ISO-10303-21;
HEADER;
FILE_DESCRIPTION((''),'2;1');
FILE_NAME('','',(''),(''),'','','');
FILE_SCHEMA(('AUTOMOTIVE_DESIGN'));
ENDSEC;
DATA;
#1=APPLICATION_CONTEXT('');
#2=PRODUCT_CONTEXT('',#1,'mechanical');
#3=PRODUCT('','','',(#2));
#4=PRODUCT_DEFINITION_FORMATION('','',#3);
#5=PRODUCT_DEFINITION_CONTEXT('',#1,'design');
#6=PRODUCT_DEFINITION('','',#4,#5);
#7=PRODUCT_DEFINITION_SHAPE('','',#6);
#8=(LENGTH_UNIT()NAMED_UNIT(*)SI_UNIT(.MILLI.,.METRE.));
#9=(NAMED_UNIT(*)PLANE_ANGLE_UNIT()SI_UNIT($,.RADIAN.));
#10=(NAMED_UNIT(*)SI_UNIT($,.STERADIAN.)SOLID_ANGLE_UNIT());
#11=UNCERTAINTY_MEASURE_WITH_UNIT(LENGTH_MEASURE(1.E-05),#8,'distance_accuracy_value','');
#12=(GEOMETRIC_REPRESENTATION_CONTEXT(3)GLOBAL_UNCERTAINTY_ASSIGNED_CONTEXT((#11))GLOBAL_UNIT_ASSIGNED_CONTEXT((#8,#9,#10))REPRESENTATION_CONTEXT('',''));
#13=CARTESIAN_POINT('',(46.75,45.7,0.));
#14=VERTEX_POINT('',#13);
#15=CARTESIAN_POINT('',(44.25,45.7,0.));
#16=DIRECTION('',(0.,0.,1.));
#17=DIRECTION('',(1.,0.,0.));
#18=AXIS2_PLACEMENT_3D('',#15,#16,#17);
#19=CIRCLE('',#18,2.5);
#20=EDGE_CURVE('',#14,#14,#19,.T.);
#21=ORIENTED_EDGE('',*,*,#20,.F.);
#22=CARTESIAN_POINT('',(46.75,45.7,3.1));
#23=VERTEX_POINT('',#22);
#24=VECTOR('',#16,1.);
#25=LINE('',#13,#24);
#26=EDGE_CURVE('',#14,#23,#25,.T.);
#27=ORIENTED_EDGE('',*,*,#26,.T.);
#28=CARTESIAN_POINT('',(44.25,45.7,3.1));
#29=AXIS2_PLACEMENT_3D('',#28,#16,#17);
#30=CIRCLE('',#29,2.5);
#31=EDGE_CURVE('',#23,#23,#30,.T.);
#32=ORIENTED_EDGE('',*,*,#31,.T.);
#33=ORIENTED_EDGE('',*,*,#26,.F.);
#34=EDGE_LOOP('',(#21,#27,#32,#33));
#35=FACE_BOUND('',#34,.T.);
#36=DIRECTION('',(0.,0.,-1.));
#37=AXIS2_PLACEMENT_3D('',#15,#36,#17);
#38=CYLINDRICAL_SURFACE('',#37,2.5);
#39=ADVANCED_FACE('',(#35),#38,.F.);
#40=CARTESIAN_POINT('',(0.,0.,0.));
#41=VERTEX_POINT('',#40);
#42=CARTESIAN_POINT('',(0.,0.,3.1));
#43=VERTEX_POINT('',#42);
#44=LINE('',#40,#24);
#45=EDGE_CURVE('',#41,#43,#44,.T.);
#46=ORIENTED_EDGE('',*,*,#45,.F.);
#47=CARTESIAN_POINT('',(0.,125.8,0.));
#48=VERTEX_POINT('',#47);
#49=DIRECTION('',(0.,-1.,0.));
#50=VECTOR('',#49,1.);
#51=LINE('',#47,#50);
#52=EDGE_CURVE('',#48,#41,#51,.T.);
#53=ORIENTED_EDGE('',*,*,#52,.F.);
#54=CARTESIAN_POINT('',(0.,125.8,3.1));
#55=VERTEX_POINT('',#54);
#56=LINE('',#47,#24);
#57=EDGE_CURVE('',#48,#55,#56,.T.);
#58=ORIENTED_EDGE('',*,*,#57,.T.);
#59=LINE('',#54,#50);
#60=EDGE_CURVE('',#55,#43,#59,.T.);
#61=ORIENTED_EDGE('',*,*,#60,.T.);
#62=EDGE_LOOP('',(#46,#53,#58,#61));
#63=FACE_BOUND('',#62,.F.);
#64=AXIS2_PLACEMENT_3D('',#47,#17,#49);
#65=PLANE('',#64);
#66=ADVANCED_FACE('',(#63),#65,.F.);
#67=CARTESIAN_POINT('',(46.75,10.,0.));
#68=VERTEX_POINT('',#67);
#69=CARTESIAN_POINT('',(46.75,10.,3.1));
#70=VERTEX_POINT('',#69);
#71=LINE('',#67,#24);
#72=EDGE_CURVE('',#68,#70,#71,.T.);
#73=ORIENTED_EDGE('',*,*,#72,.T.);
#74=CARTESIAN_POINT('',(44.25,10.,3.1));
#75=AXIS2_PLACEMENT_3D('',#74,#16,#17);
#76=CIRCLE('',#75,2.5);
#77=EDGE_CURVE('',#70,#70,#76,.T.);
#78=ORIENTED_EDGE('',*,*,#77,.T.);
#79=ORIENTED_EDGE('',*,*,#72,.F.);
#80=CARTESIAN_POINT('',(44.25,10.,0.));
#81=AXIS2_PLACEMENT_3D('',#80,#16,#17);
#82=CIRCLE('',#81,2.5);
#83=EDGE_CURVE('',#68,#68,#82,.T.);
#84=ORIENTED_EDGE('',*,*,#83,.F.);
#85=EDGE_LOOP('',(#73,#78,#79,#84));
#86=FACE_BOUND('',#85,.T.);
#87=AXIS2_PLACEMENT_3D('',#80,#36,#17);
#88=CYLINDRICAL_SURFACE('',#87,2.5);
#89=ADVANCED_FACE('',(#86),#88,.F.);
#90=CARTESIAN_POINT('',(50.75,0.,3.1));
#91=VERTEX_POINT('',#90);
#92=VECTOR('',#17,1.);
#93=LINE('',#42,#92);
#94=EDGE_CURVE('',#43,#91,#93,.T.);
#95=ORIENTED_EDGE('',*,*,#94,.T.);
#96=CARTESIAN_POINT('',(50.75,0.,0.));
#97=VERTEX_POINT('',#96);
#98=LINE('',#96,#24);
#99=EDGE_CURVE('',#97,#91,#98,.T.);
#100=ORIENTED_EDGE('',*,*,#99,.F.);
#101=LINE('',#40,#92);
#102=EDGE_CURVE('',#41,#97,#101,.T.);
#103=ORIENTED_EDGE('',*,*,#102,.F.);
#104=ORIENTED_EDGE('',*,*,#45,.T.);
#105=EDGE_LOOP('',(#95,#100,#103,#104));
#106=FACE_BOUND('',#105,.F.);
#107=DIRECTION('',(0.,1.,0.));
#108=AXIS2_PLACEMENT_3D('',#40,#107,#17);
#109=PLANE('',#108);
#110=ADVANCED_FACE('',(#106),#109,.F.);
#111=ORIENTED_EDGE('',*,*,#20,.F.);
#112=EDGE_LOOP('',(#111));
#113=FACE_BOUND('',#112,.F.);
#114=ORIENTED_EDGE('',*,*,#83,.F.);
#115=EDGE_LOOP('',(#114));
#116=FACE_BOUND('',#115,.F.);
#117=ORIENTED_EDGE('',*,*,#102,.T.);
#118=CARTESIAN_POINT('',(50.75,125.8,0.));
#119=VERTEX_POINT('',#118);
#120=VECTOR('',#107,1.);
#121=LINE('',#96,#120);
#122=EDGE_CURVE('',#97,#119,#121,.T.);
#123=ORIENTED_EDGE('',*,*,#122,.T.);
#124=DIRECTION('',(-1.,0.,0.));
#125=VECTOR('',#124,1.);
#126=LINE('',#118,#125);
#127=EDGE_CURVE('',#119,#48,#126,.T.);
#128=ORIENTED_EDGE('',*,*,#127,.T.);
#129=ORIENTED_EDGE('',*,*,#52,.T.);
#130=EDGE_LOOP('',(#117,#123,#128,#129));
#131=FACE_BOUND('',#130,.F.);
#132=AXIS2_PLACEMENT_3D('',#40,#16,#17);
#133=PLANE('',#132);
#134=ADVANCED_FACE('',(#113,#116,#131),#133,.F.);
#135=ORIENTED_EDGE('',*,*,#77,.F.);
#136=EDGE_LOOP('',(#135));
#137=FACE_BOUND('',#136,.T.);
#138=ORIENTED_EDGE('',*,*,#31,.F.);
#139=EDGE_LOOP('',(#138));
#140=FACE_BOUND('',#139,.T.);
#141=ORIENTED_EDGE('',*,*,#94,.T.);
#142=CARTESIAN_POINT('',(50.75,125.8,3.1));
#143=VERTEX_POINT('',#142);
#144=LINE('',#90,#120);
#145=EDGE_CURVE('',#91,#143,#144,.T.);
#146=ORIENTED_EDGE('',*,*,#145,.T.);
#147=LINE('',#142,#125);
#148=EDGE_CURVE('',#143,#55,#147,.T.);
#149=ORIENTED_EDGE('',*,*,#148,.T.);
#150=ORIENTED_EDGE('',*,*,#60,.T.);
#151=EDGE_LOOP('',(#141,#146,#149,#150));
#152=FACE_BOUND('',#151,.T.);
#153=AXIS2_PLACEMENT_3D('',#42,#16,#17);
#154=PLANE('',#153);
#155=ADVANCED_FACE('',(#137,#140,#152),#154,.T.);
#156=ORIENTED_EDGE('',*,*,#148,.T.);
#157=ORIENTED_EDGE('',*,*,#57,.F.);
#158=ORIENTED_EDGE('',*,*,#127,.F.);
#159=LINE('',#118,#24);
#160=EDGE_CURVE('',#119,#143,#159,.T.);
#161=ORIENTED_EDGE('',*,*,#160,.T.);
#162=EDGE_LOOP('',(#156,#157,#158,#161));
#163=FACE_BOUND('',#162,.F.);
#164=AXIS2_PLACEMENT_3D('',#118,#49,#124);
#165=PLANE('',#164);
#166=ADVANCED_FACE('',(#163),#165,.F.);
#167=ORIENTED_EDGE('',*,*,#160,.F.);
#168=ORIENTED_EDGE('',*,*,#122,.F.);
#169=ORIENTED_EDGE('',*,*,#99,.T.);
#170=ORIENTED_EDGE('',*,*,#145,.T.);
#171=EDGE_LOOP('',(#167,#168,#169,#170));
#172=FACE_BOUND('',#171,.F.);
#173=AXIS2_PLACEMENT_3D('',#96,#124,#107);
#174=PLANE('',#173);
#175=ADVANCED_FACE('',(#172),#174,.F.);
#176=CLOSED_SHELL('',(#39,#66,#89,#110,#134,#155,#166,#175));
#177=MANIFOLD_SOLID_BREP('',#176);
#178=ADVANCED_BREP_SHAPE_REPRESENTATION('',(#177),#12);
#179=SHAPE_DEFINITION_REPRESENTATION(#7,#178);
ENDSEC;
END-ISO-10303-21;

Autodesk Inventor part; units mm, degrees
ref_plane "YZ Plane" through (0, 0, 0) normal (1, 0, 0) x (0, 1, 0)
ref_plane "XZ Plane" through (0, 0, 0) normal (0, 1, 0) x (-1, 0, 0)
ref_plane "XY Plane" through (0, 0, 0) normal (0, 0, 1) x (1, 0, 0)
sketch "Sketch1" plane through (0, 0, 0) normal (0, 0, 1) x (1, 0, 0)
  line L0 (50.75, 0) -> (50.75, 125.8)
  line L1 (50.75, 125.8) -> (0, 125.8)
  line L2 (0, 125.8) -> (0, 0)
  circle A0 centre (44.25, 10) radius 2.5
  circle A1 centre (44.25, 45.7) radius 2.5
  line L3 (0, 0) -> (50.75, 0)
  dimension "d0" = 50.75
  dimension "d1" = 125.8
  dimension "d2" = 5
  dimension "d3" = 5
  dimension "d14" = 10
  dimension "d15" = 35.7
  dimension "d16" = 6.5
  dimension "d17" = 6.5
extrude "Extrusion1" add sketch "Sketch1" along normal blind 3.1
properties part number "BatteryBracket"
